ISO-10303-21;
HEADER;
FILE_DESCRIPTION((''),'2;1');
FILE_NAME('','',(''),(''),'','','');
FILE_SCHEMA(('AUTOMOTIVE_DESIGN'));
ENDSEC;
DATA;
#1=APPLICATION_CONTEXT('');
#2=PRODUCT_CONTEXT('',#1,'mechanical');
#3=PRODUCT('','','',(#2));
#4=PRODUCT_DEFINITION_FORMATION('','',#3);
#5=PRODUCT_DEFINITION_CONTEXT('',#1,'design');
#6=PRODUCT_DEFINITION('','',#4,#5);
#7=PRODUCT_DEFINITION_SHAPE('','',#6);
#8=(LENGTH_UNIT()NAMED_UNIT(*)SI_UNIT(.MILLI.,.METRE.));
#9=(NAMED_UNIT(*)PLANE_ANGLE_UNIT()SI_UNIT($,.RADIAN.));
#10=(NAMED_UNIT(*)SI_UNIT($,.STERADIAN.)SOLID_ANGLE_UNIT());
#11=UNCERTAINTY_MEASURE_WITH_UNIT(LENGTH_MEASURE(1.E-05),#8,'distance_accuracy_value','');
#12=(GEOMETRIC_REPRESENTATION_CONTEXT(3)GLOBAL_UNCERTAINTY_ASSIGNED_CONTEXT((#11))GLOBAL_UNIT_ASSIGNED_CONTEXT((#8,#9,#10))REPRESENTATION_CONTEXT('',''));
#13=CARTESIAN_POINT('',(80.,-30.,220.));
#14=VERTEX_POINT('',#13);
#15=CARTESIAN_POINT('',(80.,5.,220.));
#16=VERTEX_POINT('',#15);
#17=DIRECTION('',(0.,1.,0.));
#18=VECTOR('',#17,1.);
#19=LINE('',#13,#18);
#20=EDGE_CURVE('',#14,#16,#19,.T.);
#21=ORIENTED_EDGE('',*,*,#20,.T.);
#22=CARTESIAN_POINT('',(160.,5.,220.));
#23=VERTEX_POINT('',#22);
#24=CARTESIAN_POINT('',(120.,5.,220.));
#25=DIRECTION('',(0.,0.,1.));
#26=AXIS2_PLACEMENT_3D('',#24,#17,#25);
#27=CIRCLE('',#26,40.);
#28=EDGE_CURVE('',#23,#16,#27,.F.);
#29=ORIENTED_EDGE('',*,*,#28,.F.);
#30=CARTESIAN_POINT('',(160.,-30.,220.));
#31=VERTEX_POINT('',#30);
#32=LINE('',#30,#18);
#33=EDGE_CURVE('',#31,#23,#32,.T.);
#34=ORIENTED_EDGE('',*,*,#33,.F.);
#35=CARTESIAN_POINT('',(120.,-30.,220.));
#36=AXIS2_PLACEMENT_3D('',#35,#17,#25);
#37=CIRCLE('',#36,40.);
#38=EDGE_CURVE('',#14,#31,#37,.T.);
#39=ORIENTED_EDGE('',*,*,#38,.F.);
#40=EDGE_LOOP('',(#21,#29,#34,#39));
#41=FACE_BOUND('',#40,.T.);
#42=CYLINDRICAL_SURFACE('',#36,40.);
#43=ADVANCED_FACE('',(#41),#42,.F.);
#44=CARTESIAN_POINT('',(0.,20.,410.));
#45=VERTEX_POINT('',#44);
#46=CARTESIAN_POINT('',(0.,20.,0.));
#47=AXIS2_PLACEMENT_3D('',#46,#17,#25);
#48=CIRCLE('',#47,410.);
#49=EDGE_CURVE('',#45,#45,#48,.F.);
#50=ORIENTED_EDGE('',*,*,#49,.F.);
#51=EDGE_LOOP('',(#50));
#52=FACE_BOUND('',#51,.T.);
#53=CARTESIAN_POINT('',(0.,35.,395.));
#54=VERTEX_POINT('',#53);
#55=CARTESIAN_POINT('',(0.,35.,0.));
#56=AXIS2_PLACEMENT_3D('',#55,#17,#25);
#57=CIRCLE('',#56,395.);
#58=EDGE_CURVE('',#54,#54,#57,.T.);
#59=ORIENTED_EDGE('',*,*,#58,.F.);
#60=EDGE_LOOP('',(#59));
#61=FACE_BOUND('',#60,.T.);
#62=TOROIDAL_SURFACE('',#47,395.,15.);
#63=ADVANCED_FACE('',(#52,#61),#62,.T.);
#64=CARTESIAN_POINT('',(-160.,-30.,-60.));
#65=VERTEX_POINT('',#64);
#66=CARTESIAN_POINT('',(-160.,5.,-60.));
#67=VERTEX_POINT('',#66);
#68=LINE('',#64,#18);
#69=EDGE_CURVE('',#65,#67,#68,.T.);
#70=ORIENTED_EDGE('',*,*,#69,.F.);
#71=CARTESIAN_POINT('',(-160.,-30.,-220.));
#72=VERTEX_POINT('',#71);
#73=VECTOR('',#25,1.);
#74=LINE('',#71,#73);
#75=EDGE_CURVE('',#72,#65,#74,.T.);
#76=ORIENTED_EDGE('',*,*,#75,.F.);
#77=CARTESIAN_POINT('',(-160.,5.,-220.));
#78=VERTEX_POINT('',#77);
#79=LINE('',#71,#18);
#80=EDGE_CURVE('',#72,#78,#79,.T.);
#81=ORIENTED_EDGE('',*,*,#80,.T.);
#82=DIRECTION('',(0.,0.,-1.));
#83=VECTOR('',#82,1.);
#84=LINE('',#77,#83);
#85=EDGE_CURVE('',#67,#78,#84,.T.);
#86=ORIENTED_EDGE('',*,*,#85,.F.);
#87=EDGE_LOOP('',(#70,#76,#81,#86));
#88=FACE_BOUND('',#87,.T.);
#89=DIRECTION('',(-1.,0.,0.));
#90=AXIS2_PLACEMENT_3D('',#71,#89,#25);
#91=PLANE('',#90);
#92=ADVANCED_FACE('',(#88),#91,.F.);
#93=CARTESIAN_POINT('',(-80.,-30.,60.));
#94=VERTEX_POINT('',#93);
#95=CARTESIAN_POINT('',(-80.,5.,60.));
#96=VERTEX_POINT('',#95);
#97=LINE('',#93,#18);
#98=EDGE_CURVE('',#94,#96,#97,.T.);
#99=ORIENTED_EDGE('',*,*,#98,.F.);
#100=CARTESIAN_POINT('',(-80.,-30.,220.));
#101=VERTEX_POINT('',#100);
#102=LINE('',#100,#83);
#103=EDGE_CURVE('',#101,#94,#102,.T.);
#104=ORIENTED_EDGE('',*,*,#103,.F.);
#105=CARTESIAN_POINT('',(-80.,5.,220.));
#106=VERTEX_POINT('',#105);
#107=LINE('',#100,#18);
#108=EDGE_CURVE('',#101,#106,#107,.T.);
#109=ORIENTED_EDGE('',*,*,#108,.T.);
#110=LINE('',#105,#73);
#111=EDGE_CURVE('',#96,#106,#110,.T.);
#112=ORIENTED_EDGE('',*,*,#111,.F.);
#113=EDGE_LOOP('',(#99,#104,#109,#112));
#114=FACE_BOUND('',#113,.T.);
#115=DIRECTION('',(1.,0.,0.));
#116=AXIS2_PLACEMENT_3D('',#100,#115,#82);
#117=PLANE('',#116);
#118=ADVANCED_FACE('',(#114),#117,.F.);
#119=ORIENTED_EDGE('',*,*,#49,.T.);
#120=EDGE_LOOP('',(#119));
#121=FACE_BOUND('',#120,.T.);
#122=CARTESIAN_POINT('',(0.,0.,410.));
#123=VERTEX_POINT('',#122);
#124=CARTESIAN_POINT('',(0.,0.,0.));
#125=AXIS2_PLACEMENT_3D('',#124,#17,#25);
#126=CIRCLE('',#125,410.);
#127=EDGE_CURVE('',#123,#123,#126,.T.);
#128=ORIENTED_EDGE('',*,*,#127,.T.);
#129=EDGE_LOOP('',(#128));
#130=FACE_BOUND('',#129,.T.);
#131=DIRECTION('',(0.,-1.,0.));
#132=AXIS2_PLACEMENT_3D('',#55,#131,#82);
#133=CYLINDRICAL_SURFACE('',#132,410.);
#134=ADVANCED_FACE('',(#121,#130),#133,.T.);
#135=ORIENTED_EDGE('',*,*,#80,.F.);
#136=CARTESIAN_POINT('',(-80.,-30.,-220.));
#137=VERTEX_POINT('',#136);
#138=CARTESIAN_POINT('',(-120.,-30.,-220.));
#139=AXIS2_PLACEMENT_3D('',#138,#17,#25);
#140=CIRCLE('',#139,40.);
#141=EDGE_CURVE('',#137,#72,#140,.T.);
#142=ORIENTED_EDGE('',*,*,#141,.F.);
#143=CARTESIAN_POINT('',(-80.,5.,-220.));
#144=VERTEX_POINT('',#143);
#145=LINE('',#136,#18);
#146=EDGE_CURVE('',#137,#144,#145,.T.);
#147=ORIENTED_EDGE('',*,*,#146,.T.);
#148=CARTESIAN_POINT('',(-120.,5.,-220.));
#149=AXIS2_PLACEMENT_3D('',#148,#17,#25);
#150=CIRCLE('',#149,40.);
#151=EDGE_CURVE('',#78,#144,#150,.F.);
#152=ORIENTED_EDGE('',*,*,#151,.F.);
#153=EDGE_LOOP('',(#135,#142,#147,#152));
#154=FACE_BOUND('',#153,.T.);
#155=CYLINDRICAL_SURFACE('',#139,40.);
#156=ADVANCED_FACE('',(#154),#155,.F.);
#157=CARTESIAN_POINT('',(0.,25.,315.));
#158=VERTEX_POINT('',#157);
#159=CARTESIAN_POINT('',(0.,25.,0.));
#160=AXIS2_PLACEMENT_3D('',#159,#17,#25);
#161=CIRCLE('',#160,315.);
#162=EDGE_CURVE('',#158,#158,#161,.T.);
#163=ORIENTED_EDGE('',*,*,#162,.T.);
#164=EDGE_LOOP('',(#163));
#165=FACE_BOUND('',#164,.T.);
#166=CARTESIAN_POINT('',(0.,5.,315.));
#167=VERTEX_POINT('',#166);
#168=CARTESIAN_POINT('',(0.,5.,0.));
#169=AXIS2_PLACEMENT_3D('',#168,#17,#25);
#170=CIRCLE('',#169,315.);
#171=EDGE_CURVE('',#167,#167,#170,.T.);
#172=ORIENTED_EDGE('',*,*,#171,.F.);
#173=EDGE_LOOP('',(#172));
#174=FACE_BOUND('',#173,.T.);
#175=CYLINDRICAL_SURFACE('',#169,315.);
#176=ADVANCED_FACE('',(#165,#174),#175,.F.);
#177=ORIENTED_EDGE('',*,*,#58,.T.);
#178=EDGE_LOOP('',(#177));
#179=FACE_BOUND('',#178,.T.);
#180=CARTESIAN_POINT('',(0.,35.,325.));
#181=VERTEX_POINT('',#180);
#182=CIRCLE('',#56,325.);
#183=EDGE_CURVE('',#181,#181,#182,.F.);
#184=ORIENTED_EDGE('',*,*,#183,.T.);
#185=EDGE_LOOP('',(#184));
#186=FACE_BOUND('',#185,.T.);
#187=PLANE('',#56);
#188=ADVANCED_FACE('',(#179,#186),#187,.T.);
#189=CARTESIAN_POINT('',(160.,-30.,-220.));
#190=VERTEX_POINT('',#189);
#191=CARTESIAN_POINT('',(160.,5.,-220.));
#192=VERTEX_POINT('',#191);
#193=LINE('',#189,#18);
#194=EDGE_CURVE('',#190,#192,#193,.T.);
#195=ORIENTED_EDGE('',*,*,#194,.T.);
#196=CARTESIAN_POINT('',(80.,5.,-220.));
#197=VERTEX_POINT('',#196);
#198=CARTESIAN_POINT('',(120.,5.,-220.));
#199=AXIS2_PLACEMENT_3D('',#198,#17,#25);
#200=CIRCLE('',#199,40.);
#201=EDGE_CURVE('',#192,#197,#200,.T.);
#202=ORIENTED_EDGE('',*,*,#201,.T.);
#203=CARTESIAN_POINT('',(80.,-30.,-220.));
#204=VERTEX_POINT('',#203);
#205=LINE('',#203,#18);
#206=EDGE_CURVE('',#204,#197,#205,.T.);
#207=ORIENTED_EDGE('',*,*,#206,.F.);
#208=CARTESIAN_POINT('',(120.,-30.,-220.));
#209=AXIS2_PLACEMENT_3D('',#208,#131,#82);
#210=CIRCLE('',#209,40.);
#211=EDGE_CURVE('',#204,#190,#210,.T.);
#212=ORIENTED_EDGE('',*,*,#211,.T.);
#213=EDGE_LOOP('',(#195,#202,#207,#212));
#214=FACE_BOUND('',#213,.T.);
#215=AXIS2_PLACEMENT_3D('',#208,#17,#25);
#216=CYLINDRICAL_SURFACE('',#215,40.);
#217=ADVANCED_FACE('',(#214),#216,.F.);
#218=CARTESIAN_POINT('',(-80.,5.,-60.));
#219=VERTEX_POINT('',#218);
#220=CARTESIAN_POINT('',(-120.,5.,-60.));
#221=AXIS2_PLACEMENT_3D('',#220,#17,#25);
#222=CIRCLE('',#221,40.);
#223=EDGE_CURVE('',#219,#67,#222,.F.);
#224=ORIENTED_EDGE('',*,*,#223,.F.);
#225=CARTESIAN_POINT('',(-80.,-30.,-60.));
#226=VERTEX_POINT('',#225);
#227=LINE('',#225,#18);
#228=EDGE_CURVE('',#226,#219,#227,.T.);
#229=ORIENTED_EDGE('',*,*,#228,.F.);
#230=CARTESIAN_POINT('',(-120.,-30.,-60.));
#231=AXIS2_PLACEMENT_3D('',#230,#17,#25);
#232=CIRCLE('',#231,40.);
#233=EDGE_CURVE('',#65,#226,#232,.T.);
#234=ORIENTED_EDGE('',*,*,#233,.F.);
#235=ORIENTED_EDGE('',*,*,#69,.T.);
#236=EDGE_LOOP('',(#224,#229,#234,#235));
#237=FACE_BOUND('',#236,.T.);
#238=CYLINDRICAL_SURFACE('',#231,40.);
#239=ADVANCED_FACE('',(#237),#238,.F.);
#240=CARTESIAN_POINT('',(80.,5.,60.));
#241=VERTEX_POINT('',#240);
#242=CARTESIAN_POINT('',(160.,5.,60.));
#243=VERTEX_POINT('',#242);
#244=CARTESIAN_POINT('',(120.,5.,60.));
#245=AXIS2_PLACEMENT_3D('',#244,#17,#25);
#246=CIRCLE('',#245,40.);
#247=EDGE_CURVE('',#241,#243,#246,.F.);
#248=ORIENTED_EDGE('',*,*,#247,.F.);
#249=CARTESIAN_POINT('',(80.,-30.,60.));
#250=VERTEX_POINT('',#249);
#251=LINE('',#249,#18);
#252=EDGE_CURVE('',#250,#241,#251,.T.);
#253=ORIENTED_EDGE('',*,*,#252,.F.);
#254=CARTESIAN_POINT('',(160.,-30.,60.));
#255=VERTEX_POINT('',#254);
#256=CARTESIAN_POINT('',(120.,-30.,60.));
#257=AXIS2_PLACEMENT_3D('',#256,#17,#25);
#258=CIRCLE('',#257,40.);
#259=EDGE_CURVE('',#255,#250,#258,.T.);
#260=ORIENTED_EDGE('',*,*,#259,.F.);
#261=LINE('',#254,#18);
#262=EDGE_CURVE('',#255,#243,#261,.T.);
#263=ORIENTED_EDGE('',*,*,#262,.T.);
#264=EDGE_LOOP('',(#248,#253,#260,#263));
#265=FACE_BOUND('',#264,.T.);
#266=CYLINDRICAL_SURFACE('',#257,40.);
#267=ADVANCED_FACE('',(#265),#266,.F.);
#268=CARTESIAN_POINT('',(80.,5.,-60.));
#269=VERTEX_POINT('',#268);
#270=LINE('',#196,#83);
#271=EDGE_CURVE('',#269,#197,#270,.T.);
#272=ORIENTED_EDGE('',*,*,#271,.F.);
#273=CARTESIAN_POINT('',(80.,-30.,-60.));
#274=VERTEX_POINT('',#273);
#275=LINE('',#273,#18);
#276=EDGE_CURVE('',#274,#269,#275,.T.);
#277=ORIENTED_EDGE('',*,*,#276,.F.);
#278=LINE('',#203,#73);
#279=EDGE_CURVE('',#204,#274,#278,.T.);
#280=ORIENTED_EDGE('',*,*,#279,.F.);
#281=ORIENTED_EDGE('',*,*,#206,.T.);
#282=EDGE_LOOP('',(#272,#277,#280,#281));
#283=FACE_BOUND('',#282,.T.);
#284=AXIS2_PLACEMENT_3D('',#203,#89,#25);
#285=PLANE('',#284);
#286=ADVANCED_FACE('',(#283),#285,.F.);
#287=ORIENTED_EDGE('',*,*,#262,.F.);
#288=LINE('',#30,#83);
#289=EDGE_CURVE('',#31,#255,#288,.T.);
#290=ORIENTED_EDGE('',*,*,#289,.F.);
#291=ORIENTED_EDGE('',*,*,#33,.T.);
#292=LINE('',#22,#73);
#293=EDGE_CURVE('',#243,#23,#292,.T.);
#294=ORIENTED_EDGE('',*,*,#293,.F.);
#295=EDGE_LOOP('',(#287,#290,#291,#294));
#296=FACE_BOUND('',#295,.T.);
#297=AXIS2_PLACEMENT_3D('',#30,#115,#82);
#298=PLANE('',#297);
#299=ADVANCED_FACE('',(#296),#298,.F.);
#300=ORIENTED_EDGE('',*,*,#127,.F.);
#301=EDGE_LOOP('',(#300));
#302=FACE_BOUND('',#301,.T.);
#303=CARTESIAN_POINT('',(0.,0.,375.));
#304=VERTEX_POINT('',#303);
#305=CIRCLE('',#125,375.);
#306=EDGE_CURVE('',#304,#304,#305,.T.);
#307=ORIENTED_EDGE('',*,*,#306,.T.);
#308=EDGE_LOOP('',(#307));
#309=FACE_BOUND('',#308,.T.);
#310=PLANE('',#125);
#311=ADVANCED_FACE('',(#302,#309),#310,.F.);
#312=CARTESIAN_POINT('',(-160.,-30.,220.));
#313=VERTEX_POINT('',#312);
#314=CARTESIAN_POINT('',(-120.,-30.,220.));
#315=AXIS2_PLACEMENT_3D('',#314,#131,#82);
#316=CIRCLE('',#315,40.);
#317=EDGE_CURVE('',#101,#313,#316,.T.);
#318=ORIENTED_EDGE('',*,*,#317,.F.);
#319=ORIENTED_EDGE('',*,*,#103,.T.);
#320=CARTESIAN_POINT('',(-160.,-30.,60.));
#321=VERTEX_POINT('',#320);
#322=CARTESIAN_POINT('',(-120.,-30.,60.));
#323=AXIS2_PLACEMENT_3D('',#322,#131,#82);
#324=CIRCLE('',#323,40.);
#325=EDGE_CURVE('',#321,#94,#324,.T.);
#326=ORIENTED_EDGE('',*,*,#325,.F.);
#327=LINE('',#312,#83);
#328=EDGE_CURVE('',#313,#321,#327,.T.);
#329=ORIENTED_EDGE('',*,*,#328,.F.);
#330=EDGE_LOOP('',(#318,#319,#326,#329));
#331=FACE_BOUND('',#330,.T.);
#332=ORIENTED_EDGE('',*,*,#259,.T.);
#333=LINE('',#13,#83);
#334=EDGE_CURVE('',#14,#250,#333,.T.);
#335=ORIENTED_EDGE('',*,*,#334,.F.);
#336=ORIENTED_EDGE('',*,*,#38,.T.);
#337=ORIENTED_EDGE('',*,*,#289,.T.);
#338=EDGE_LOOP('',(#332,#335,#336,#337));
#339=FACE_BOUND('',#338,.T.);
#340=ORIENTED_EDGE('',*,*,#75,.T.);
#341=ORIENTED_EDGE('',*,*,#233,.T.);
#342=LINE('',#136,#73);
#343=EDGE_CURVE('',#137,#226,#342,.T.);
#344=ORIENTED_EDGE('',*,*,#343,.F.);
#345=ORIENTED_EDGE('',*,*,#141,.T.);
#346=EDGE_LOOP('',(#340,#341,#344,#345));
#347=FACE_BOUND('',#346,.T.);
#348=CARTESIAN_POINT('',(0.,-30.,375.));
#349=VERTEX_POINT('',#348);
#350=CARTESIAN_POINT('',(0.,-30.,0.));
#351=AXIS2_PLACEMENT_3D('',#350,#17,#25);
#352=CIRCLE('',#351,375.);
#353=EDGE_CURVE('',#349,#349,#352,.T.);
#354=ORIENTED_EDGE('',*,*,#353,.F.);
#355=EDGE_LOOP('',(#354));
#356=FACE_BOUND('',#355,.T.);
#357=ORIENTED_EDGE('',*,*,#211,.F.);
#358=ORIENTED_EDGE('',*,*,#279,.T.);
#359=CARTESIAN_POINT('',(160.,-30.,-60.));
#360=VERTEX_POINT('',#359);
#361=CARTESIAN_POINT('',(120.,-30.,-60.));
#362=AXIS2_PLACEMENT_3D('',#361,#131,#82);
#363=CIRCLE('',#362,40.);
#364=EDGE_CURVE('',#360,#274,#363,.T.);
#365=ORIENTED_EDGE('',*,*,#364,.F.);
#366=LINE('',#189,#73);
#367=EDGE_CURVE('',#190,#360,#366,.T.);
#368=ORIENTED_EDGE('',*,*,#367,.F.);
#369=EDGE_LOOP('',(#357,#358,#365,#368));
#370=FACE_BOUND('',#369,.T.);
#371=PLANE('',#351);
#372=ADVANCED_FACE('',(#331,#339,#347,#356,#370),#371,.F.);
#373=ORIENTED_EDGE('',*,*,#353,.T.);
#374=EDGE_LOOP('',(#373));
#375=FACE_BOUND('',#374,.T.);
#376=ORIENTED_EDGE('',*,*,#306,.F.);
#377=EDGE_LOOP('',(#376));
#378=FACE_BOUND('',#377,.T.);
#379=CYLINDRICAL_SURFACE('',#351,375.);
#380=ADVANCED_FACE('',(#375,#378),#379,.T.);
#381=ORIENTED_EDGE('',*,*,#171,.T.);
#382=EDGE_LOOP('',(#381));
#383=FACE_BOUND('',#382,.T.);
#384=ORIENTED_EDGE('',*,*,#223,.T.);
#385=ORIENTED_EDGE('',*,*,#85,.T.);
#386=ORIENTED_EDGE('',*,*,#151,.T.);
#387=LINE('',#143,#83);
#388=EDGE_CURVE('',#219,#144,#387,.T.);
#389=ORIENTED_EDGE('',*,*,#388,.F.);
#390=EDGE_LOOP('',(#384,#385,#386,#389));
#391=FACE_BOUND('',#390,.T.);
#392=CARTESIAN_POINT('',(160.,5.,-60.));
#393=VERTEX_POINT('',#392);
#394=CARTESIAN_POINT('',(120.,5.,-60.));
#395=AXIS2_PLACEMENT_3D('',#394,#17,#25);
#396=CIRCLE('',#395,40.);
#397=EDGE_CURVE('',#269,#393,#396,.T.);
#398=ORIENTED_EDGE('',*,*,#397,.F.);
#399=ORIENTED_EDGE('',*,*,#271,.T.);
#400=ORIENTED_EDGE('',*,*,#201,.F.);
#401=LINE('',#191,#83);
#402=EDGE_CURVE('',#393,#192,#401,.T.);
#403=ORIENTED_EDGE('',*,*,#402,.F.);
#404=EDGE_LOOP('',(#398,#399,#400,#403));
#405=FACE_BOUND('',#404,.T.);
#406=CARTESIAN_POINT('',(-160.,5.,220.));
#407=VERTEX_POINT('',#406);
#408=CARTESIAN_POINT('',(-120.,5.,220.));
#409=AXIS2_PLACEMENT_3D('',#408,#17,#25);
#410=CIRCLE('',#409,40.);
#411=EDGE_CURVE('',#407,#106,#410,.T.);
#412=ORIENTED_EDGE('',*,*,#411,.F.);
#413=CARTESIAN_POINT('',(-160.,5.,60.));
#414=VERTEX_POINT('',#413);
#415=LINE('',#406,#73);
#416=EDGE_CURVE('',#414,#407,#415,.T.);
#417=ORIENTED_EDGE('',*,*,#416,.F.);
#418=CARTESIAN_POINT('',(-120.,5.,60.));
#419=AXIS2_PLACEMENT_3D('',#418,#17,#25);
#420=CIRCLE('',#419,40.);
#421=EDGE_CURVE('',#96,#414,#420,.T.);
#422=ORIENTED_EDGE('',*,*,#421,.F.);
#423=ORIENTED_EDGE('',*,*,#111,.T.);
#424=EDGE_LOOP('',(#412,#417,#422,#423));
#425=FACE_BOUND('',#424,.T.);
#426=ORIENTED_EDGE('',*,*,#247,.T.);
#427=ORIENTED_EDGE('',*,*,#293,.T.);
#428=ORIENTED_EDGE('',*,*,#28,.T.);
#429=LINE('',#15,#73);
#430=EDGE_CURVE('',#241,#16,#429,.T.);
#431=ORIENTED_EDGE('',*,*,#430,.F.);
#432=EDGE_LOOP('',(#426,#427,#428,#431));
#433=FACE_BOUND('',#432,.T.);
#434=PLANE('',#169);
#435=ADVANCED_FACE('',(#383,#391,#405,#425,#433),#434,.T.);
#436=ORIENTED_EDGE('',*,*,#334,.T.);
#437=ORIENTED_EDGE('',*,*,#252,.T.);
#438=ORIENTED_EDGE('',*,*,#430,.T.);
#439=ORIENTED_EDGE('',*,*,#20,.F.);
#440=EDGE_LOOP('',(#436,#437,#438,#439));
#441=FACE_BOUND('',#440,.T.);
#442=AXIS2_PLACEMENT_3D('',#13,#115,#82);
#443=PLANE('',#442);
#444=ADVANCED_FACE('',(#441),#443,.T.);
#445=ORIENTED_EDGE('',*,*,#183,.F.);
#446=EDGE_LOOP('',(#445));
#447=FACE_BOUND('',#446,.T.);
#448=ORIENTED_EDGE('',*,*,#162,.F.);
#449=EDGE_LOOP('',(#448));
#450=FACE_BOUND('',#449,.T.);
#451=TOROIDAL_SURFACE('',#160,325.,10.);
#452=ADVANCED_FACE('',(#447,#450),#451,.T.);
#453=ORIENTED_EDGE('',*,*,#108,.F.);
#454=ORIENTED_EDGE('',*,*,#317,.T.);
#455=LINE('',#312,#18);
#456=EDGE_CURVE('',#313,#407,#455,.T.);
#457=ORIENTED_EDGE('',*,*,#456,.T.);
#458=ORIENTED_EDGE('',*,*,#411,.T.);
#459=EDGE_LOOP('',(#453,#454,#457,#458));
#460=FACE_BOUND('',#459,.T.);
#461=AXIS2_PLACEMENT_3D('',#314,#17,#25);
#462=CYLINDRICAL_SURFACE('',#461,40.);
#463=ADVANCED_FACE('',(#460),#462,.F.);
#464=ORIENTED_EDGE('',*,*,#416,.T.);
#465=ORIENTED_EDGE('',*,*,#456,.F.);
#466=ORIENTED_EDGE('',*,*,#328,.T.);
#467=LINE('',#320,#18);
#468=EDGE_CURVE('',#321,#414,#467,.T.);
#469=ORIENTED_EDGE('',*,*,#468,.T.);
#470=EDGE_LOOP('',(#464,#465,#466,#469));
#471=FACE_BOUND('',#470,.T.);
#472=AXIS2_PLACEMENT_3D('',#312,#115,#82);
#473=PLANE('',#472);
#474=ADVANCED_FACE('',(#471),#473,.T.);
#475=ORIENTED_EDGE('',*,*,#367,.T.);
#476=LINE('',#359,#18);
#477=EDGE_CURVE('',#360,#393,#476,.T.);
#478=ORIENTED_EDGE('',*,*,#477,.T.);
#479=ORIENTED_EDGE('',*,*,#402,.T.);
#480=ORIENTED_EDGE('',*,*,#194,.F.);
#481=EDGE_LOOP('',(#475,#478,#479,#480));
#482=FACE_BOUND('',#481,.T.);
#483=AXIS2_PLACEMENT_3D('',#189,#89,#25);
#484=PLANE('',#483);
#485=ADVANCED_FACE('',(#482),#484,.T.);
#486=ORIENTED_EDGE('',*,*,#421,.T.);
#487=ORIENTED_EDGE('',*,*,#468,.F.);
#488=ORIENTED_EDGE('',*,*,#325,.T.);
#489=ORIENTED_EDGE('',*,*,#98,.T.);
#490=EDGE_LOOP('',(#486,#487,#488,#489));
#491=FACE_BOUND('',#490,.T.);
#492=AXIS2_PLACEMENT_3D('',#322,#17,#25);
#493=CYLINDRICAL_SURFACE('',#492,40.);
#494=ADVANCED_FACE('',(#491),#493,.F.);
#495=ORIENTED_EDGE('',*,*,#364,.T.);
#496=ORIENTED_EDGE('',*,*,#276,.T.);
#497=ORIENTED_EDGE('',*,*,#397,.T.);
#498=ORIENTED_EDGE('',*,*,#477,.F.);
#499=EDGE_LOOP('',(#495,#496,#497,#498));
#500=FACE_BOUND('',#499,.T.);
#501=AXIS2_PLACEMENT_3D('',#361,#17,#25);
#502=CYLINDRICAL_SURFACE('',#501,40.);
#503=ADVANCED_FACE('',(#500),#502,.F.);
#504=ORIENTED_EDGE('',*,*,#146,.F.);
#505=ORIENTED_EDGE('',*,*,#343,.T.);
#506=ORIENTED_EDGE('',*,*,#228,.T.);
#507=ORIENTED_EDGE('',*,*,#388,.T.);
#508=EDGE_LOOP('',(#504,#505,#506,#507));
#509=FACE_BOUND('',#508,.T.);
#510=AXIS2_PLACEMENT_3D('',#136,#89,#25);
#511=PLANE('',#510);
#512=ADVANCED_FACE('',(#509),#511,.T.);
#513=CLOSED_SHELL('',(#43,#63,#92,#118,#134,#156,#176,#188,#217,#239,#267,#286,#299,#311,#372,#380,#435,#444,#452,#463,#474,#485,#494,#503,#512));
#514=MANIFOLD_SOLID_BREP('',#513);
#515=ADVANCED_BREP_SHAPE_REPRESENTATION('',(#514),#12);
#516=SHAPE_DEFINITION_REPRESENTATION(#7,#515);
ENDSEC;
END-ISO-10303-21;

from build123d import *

# Parameters (mm, degrees)
SKETCH1_R               = 375
BOSS_EXTRUDE1_DEPTH     = 30
SKETCH1_7_R             = 410
BOSS_EXTRUDE2_DEPTH     = 35
CUT_EXTRUDE1_DEPTH      = 36
CUT_EXTRUDE1_DEPTH_BACK = 31
CUT_EXTRUDE2_START      = 35
SKETCH1_14_R            = 315
CUT_EXTRUDE2_DEPTH      = 30
FILLET1_R               = 15
FILLET2_R               = 10


with BuildPart() as part:
    # Sketch1 → Boss-Extrude1 (new body)
    with BuildSketch(Plane(origin=(0, 0, 0), x_dir=(1, 0, 0), z_dir=(0, 1, 0))):
        Circle(SKETCH1_R)
    extrude(amount=-BOSS_EXTRUDE1_DEPTH)

    # Sketch1<7> → Boss-Extrude2 (add)
    with BuildSketch(Plane(origin=(0, 0, 0), x_dir=(1, 0, 0), z_dir=(0, 1, 0))):
        Circle(SKETCH1_7_R)
    extrude(amount=BOSS_EXTRUDE2_DEPTH)

    # Sketch1<10> → Cut-Extrude1 (cut, two sides)
    with BuildSketch(Plane(origin=(0, 0, 0), x_dir=(1, 0, 0), z_dir=(0, 1, 0))) as cut_extrude1_sk:
        with BuildLine():
            Line((-80, 220), (-80, 60))
            ThreePointArc((-80, 60), (-120, 20), (-160, 60))
            Line((-160, 60), (-160, 220))
            ThreePointArc((-160, 220), (-120, 260), (-80, 220))
        make_face()
        with BuildLine():
            Line((-80, -220), (-80, -60))
            ThreePointArc((-80, -60), (-120, -20), (-160, -60))
            Line((-160, -60), (-160, -220))
            ThreePointArc((-160, -220), (-120, -260), (-80, -220))
        make_face()
        with BuildLine():
            Line((80, 220), (80, 60))
            ThreePointArc((80, 60), (120, 20), (160, 60))
            Line((160, 60), (160, 220))
            ThreePointArc((160, 220), (120, 260), (80, 220))
        make_face()
        with BuildLine():
            Line((80, -220), (80, -60))
            ThreePointArc((80, -60), (120, -20), (160, -60))
            Line((160, -60), (160, -220))
            ThreePointArc((160, -220), (120, -260), (80, -220))
        make_face()
    extrude(amount=CUT_EXTRUDE1_DEPTH, mode=Mode.SUBTRACT)
    extrude(cut_extrude1_sk.sketch, amount=-CUT_EXTRUDE1_DEPTH_BACK, mode=Mode.SUBTRACT)

    # Sketch1<14> → Cut-Extrude2 (cut)
    with BuildSketch(Plane(origin=(0, 0, 0), x_dir=(1, 0, 0), z_dir=(0, 1, 0)).offset(CUT_EXTRUDE2_START)):
        Circle(SKETCH1_14_R)
    extrude(amount=-CUT_EXTRUDE2_DEPTH, mode=Mode.SUBTRACT)

    # Fillet1
    fillet1_edges = [part.edges().sort_by_distance(p)[0] for p in [
        (-410, 35, 0),
    ]]
    fillet(fillet1_edges, radius=FILLET1_R)

    # Fillet2
    fillet2_edges = [part.edges().sort_by_distance(p)[0] for p in [
        (-315, 35, 0),
    ]]
    fillet(fillet2_edges, radius=FILLET2_R)


solid = part.part
